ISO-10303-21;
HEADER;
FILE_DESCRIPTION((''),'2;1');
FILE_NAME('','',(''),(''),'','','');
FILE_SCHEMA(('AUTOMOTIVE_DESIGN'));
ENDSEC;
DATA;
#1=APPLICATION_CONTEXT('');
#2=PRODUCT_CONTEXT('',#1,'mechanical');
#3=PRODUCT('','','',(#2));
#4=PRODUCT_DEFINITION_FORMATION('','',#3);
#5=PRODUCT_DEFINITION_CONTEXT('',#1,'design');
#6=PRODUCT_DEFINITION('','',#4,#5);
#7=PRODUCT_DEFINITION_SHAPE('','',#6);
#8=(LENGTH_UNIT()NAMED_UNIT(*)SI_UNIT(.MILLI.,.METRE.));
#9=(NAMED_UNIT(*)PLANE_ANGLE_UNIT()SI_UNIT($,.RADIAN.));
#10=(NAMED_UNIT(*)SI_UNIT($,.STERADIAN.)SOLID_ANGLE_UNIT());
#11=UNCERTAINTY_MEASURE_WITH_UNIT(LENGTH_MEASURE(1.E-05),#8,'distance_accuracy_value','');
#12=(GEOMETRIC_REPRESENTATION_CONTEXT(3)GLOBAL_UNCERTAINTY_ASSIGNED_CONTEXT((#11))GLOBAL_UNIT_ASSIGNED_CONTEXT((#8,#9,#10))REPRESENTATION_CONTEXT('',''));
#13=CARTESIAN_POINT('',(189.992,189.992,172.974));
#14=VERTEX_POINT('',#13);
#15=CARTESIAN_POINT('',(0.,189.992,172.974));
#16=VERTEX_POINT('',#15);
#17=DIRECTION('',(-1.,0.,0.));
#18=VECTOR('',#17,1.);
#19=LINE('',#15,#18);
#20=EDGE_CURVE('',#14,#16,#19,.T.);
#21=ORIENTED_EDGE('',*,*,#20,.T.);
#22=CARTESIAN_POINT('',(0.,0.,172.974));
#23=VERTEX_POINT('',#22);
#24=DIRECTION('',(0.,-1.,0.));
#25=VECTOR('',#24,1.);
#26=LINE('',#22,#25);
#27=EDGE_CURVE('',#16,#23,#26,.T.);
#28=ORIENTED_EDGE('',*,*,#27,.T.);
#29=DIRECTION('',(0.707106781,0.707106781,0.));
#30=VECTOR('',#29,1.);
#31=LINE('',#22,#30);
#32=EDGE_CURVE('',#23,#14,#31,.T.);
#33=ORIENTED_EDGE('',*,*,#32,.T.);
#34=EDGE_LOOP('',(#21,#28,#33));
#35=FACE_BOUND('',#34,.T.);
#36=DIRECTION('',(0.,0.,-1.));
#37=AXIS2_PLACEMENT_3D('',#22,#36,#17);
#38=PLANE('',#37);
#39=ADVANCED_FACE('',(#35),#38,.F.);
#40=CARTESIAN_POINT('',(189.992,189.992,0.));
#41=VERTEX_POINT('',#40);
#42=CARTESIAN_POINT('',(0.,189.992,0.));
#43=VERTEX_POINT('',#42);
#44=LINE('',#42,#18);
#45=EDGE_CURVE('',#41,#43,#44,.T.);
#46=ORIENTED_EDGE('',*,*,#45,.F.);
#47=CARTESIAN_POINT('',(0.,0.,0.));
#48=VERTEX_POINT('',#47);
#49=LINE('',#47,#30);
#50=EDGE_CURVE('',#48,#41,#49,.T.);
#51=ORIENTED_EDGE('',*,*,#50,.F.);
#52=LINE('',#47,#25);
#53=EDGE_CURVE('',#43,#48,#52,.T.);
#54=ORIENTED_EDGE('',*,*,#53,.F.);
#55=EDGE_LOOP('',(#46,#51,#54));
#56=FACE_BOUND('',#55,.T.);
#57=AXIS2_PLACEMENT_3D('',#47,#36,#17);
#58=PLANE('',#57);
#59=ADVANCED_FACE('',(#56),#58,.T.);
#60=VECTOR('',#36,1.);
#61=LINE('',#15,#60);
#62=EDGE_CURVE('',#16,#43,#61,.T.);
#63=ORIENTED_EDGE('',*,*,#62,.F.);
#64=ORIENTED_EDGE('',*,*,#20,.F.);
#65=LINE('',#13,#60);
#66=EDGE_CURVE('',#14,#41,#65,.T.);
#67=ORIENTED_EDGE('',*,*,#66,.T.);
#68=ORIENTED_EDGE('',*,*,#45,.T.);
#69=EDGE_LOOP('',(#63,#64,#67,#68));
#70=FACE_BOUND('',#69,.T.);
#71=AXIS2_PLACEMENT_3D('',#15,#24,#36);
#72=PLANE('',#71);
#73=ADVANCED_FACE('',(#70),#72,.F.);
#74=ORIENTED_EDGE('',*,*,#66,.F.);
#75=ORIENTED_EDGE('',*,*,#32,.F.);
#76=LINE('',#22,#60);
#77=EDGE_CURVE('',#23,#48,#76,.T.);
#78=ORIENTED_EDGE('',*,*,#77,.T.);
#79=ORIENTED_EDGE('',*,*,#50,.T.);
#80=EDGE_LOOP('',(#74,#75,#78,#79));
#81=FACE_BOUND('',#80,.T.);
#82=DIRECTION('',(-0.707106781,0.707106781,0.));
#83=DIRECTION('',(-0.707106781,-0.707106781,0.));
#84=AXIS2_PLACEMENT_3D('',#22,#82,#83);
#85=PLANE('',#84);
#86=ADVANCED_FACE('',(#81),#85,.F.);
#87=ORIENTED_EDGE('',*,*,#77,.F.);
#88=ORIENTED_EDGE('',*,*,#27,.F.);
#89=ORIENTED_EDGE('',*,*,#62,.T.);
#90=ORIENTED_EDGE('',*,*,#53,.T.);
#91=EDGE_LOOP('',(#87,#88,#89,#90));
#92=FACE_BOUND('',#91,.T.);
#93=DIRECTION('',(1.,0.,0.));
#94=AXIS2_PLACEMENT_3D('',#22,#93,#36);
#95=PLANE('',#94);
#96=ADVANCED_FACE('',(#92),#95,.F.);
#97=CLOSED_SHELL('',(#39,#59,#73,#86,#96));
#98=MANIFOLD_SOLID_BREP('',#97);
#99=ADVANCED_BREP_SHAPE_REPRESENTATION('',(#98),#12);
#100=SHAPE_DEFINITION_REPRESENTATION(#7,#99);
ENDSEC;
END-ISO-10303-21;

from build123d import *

# Parameters (mm, degrees)
BOSS_EXTRUDE1_DEPTH = 172.974


with BuildPart() as part:
    # Sketch1 → Boss-Extrude1 (new body)
    with BuildSketch(Plane.XY):
        Polygon((0, 0), (189.992, 189.992), (0, 189.992), align=None)
    extrude(amount=BOSS_EXTRUDE1_DEPTH)


solid = part.part
